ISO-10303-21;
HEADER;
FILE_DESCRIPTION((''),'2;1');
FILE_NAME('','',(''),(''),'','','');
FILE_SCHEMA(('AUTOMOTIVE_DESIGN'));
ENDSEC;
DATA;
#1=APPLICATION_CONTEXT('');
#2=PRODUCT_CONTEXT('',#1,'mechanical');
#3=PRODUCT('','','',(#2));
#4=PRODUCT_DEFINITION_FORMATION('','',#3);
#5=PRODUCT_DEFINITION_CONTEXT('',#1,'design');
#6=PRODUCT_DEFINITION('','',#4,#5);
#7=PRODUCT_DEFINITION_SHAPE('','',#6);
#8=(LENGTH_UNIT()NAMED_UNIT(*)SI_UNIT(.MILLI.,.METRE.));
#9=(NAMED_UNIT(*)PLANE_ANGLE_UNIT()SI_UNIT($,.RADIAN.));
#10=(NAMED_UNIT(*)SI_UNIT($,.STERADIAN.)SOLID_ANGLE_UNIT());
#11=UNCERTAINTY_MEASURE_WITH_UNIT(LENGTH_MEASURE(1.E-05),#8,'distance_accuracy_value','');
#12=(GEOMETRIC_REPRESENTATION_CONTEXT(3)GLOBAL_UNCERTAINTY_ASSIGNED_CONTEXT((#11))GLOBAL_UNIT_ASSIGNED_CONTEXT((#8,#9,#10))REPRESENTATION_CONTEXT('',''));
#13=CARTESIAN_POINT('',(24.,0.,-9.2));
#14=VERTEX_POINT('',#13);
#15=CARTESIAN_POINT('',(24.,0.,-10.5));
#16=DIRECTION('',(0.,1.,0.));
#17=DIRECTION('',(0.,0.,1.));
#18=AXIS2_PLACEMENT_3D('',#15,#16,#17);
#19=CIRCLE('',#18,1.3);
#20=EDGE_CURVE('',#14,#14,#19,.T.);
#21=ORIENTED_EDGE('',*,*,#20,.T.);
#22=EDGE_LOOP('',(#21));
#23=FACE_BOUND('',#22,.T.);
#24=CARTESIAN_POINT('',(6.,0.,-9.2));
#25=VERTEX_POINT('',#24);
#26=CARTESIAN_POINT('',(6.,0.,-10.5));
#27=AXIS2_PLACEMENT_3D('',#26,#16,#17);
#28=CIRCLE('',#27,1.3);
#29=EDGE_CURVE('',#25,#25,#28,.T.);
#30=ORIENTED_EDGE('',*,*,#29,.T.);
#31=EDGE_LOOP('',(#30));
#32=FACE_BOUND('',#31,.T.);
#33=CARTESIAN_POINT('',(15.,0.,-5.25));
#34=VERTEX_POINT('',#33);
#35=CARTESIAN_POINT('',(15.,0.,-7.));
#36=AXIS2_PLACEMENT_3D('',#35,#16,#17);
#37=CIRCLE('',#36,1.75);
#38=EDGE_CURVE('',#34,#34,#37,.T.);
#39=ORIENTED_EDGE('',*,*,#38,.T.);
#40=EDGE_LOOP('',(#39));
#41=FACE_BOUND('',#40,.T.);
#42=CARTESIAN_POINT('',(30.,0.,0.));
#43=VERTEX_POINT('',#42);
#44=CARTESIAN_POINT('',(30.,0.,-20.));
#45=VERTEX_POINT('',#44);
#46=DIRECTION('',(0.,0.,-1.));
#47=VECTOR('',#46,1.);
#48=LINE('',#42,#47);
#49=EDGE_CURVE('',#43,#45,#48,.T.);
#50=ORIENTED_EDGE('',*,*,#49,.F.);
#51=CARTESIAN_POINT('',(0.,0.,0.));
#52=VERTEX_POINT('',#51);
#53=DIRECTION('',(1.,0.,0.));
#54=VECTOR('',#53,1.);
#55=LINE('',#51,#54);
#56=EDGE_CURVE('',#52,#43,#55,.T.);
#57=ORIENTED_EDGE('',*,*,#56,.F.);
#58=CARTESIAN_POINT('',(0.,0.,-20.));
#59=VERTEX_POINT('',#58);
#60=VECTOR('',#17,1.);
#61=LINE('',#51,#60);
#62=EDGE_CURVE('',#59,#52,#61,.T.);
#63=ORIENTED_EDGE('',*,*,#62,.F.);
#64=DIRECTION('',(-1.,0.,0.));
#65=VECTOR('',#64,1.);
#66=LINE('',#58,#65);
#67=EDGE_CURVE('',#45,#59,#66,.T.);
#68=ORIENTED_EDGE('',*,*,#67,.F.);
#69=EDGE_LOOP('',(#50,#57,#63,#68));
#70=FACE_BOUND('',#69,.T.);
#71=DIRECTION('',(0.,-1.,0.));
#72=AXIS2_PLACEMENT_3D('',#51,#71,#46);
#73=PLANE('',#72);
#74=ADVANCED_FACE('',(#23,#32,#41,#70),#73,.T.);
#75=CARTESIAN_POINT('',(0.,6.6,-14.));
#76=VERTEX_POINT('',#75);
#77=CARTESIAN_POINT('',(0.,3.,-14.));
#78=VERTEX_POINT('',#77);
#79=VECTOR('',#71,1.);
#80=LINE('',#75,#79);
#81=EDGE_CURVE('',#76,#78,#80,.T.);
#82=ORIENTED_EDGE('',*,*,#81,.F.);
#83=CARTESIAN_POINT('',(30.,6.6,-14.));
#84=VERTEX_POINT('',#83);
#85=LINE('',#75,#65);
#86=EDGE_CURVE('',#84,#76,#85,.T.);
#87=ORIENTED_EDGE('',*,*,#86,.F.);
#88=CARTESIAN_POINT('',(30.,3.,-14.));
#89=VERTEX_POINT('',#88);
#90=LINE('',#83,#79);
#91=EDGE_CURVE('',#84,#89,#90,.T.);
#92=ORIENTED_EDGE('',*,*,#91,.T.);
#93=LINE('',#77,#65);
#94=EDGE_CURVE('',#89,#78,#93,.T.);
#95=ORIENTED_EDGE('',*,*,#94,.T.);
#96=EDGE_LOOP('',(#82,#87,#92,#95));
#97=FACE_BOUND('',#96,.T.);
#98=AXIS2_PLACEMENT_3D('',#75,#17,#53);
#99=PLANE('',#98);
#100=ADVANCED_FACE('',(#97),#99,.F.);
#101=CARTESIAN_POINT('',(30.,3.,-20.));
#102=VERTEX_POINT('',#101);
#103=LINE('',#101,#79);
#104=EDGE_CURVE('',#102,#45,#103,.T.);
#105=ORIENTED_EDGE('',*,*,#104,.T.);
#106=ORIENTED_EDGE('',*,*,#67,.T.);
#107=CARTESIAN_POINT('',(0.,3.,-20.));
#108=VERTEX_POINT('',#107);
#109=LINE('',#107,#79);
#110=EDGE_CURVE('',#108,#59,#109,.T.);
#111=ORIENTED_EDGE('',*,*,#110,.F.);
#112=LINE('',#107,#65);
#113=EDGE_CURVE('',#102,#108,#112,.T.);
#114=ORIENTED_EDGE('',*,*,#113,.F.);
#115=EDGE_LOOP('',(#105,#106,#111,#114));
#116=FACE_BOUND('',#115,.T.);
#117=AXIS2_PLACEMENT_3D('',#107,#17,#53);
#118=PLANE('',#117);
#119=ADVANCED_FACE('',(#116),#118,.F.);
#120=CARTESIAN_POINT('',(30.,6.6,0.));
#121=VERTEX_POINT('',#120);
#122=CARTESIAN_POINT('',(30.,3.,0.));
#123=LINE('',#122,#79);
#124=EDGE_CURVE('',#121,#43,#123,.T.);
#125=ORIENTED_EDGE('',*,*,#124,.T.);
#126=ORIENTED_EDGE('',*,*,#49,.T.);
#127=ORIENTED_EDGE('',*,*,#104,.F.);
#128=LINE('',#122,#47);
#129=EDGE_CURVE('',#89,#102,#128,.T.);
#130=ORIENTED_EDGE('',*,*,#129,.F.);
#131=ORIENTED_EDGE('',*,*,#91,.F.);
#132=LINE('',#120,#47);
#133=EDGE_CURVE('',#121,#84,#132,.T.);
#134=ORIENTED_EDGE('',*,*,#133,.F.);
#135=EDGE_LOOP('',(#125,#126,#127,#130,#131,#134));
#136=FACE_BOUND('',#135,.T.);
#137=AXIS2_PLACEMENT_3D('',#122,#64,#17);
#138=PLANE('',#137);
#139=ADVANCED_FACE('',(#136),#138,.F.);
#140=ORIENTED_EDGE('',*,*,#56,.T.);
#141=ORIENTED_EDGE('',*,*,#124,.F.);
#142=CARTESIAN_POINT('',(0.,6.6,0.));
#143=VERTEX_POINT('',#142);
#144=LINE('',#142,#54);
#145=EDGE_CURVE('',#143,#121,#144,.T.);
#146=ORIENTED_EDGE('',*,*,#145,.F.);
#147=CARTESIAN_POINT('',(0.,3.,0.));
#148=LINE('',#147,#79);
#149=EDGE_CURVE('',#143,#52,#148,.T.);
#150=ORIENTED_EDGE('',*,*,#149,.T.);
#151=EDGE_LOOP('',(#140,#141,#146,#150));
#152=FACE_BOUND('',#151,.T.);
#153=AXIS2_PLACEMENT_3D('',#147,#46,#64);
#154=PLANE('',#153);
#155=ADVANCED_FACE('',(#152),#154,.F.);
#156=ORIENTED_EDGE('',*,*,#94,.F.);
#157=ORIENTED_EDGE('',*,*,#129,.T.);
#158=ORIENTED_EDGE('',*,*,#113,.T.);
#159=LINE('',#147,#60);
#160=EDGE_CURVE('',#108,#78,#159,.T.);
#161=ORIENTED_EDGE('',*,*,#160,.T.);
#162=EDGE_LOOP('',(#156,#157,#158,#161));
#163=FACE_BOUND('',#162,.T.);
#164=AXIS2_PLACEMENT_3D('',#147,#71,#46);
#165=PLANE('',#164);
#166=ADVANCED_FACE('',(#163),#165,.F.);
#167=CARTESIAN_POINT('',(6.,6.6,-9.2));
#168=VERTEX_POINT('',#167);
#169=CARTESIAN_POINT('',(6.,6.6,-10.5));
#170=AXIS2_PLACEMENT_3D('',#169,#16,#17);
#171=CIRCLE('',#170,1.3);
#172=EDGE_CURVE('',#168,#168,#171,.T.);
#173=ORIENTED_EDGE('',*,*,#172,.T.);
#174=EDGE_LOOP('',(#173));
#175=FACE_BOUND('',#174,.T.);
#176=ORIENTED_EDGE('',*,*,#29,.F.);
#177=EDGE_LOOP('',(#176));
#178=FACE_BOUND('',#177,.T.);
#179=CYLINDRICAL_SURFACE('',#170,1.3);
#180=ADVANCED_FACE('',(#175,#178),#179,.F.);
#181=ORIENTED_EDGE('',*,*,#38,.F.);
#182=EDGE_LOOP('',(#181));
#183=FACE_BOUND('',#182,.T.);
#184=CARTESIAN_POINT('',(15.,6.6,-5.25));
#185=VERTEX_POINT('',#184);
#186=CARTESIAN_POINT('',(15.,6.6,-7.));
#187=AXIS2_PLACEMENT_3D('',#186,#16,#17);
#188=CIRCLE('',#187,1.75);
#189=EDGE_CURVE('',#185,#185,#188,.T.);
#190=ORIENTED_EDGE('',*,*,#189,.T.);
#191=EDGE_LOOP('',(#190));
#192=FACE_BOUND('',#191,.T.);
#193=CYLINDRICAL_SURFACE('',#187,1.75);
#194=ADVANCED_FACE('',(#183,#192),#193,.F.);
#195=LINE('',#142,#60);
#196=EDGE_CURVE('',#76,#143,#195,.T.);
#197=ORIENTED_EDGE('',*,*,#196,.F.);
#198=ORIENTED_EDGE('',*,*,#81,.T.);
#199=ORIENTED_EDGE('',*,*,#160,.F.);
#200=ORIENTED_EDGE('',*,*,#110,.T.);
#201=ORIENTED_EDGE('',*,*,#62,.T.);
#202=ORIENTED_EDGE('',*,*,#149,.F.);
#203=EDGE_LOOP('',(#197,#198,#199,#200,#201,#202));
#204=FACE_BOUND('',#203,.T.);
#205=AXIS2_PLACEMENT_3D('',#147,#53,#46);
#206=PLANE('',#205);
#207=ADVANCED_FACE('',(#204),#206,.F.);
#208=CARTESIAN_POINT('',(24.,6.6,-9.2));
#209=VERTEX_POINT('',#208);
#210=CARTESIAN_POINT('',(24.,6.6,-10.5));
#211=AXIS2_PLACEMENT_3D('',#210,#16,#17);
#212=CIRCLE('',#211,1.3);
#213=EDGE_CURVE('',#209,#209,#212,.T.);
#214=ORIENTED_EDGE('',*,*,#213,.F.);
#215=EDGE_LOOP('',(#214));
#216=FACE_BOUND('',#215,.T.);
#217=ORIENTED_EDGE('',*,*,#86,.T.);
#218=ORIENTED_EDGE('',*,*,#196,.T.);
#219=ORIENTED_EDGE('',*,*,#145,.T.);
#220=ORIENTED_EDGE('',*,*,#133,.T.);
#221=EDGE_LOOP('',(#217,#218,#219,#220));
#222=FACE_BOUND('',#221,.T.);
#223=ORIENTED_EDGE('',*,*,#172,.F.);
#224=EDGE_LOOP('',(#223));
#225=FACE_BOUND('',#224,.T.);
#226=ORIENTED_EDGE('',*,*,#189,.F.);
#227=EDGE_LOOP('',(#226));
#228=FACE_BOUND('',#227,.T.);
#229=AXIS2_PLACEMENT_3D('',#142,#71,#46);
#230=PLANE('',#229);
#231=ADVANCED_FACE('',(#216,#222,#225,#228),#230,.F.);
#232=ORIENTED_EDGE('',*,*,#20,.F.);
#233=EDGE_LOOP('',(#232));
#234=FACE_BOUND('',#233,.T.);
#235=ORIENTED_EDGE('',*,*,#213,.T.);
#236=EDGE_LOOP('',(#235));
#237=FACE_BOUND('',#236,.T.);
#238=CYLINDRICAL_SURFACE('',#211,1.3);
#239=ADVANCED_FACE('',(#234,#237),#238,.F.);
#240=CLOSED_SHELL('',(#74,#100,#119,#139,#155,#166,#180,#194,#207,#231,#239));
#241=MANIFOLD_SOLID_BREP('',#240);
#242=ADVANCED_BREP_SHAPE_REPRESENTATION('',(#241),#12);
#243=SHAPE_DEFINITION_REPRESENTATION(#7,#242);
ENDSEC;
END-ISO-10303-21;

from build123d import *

# Parameters (mm, degrees)
SKETCH_1_W              = 30
SKETCH_1_H              = 20
EXTRUDE_1_DEPTH         = 3
SKETCH_2_W              = 30
SKETCH_2_H              = 14
EXTRUDE_2_DEPTH         = 3.6
HOLE_WIZARD_2_6_2_6_1_D = 2.6
HOLE_WIZARD_3_5_3_5_1_D = 3.5


with BuildPart() as part:
    # 草圖1 → 填料-伸長1 (new body)
    with BuildSketch(Plane(origin=(0, 0, 0), x_dir=(1, 0, 0), z_dir=(0, 1, 0))):
        with Locations((15, 10)):
            Rectangle(SKETCH_1_W, SKETCH_1_H)
    extrude(amount=EXTRUDE_1_DEPTH)

    # 草圖2 → 填料-伸長2 (add)
    with BuildSketch(Plane(origin=(0, 3, 0), x_dir=(1, 0, 0), z_dir=(0, 1, 0))):
        with Locations((15, 7)):
            Rectangle(SKETCH_2_W, SKETCH_2_H)
    extrude(amount=EXTRUDE_2_DEPTH)

    # Ø2.6 (2.6) 直徑孔1 (through all)
    with Locations(Plane(origin=(0, 6.6, 0), x_dir=(1, 0, 0), z_dir=(0, 1, 0))):
        with Locations((6, 10.5), (15, 7), (24, 10.5)):
            Hole(HOLE_WIZARD_2_6_2_6_1_D / 2)

    # Ø3.5 (3.5) 直徑孔1 (through all)
    with Locations(Plane(origin=(0, 6.6, 0), x_dir=(1, 0, 0), z_dir=(0, 1, 0))):
        with Locations((15, 7)):
            Hole(HOLE_WIZARD_3_5_3_5_1_D / 2)


solid = part.part
